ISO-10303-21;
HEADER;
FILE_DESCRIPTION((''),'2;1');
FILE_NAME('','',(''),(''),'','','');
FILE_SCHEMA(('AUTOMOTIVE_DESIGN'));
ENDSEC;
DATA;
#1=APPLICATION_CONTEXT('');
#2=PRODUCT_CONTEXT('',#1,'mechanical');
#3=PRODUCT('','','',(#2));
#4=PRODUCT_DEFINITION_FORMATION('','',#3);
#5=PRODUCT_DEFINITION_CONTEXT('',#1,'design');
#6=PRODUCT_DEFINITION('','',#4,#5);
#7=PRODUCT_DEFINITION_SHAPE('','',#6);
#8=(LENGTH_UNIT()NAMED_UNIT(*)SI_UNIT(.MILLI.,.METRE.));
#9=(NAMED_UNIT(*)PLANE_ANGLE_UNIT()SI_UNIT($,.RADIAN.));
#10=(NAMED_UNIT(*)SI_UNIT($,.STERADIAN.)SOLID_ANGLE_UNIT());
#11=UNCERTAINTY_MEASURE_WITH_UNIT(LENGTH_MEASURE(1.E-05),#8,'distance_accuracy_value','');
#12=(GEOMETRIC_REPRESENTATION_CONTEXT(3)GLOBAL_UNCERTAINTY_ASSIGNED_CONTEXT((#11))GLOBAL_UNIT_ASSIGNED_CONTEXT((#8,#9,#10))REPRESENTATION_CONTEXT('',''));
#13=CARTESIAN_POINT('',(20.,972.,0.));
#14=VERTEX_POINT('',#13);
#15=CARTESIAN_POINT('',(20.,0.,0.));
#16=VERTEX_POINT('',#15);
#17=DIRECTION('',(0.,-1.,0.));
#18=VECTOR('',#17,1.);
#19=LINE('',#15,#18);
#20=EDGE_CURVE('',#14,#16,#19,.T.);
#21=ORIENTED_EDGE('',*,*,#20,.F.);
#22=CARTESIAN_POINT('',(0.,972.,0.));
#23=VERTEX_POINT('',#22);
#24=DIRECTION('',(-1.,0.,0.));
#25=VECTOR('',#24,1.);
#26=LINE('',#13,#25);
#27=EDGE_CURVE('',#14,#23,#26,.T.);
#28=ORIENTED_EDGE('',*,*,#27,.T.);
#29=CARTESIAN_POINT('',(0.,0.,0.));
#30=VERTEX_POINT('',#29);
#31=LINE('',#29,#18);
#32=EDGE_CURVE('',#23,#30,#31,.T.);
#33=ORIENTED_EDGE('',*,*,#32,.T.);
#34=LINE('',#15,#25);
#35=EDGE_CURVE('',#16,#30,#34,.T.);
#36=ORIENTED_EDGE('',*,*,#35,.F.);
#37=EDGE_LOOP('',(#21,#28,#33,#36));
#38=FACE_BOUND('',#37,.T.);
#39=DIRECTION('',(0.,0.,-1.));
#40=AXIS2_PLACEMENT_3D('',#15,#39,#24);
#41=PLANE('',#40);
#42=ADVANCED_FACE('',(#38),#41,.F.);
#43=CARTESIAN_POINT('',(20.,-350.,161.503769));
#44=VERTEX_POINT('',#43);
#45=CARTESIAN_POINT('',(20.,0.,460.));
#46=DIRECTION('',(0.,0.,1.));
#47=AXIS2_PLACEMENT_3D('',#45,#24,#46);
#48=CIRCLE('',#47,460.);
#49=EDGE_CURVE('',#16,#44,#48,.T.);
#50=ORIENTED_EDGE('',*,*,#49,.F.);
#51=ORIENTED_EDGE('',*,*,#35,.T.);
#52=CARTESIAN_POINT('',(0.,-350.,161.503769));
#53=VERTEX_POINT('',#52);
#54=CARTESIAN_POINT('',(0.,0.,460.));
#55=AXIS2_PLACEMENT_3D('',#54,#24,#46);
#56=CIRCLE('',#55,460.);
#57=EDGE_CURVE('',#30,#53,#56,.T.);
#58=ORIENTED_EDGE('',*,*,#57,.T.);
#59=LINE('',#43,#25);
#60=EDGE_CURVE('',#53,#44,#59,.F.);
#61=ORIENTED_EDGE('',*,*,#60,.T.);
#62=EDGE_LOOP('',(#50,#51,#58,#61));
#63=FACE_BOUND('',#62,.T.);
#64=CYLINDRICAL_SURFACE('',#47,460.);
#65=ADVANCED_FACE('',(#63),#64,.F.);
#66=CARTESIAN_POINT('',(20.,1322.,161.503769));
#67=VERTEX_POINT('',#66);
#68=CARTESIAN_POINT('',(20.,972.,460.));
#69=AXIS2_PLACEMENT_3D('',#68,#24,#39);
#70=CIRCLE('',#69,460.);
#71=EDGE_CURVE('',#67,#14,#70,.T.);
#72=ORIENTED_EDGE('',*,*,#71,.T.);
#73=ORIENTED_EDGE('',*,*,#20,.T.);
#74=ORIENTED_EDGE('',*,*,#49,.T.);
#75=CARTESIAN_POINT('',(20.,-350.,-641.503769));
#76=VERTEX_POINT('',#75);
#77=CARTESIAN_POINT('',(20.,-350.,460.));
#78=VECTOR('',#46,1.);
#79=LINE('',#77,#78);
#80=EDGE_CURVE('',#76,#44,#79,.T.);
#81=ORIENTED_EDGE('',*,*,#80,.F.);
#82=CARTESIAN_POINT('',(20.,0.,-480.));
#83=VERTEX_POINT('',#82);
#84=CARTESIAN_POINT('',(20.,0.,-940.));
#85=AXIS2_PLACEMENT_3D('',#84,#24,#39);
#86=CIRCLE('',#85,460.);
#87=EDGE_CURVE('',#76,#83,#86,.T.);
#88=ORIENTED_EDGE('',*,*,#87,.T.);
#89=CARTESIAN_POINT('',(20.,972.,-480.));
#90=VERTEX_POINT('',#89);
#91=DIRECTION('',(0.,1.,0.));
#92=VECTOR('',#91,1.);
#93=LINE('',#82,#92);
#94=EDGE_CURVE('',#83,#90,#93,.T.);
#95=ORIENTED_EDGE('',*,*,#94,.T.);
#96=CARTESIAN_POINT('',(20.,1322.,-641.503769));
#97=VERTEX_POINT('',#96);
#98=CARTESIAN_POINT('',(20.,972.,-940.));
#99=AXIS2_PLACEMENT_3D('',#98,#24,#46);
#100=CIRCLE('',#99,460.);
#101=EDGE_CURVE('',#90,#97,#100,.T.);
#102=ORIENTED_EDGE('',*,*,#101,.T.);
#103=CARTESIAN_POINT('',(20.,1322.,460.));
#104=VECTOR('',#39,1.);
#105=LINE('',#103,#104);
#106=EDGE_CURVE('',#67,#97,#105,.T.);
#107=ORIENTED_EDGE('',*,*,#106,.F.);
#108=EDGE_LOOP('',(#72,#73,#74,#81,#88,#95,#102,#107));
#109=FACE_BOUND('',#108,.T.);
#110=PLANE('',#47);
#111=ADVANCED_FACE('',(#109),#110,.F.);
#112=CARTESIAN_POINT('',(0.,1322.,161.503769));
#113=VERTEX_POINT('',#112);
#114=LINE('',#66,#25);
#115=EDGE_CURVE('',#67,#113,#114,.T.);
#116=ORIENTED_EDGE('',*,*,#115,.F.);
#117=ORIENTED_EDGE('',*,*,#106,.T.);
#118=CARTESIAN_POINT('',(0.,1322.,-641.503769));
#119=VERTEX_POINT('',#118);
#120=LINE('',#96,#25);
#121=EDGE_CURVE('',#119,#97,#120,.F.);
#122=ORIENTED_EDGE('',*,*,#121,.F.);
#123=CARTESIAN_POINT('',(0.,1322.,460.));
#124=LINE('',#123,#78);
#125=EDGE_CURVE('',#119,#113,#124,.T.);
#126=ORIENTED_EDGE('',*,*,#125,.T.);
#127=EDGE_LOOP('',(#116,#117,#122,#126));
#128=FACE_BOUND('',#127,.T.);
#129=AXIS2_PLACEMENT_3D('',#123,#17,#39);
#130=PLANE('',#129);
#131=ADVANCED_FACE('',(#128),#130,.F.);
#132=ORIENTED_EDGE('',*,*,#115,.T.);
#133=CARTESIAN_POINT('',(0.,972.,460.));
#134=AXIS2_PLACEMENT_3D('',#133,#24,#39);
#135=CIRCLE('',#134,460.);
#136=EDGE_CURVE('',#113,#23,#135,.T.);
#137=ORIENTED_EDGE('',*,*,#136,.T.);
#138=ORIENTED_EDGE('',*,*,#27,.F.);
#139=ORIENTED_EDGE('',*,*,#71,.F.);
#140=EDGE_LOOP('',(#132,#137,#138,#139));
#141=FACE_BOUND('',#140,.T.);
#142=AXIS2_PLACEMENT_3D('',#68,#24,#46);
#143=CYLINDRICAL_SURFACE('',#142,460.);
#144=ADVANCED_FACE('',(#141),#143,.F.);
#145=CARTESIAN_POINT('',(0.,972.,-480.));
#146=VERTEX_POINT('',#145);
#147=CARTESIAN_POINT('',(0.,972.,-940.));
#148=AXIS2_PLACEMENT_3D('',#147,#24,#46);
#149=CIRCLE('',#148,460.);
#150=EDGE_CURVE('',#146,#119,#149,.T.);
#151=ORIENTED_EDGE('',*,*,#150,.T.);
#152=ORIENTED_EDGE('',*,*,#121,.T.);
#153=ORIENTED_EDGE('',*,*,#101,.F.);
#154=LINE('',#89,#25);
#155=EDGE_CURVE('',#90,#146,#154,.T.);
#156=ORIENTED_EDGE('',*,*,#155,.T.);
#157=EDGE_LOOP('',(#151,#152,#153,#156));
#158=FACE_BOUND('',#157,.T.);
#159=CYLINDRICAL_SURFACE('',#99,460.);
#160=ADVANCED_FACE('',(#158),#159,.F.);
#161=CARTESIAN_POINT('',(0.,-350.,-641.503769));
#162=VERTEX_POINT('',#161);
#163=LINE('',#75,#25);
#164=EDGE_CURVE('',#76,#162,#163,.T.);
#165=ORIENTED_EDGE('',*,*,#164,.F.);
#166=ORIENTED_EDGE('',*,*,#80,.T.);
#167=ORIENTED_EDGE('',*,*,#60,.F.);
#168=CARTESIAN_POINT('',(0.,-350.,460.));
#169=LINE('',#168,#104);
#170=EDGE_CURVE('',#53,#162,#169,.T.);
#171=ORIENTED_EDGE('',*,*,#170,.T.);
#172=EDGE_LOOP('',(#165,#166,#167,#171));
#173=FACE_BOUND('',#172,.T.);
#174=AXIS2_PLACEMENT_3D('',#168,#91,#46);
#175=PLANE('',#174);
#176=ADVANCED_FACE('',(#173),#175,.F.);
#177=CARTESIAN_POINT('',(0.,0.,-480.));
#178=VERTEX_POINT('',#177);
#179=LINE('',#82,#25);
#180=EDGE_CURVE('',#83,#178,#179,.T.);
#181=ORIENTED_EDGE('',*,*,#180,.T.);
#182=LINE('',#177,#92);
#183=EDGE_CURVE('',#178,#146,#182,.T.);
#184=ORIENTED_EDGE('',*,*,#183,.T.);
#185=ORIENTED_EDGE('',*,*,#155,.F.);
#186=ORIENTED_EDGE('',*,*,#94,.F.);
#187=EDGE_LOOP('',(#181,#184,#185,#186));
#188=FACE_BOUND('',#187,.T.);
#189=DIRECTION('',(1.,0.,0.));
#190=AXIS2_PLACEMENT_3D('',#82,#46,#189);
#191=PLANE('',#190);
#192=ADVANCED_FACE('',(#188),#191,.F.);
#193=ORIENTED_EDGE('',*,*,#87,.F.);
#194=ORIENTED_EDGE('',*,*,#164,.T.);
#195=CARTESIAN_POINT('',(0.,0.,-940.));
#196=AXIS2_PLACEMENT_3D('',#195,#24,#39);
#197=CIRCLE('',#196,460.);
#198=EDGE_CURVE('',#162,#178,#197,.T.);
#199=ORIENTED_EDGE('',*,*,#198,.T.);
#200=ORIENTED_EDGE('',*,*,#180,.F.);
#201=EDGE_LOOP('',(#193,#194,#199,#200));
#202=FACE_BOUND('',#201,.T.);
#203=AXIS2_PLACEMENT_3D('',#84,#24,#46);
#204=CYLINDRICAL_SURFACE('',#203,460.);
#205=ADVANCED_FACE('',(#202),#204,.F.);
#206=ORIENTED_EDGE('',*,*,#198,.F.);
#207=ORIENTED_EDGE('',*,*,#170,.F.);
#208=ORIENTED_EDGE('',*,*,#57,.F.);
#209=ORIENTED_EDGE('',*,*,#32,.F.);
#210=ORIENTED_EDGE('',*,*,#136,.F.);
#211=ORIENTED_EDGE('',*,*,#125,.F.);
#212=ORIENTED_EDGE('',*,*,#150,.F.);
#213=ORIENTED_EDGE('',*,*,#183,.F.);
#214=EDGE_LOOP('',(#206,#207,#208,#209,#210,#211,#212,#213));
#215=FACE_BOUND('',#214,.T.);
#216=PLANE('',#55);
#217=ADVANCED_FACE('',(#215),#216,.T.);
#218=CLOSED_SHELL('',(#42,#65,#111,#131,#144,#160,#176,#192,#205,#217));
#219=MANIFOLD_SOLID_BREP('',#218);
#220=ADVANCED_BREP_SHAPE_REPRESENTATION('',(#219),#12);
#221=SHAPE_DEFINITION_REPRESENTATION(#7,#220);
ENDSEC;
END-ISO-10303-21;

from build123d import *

# Parameters (mm, degrees)
BOSS_EXTRUDE1_DEPTH = 20
CUT_EXTRUDE1_DEPTH  = 20


with BuildPart() as part:
    # Sketch1 → Boss-Extrude1 (new body)
    with BuildSketch(Plane(origin=(0, 0, 0), x_dir=(0, 0, -1), z_dir=(1, 0, 0))):
        with BuildLine():
            Line((0, 0), (0, 972))
            ThreePointArc((0, 972), (-134.730880654, 1297.269119346), (-460, 1432))
            Line((-460, 1432), (940, 1432))
            ThreePointArc((940, 1432), (614.730880654, 1297.269119346), (480, 972))
            Line((480, 972), (480, 0))
            ThreePointArc((480, 0), (614.730880654, -325.269119346), (940, -460))
            Line((940, -460), (-460, -460))
            ThreePointArc((-460, -460), (-134.730880654, -325.269119346), (0, 0))
        make_face()
    extrude(amount=BOSS_EXTRUDE1_DEPTH)

    # Sketch2 → Cut-Extrude1 (cut)
    with BuildSketch(Plane(origin=(20, 0, 0), x_dir=(0, 0, -1), z_dir=(1, 0, 0))):
        Polygon((-460, 1322), (1004.695967819, 1322), (1004.695967819, 1530.227687148), (-489.352876869, 1530.227687148), align=None)
        Polygon((1004.695967819, -350), (1004.695967819, -558.227687148), (-489.352876869, -558.227687148), (-460, -350), align=None)
    extrude(amount=-CUT_EXTRUDE1_DEPTH, mode=Mode.SUBTRACT)


solid = part.part
